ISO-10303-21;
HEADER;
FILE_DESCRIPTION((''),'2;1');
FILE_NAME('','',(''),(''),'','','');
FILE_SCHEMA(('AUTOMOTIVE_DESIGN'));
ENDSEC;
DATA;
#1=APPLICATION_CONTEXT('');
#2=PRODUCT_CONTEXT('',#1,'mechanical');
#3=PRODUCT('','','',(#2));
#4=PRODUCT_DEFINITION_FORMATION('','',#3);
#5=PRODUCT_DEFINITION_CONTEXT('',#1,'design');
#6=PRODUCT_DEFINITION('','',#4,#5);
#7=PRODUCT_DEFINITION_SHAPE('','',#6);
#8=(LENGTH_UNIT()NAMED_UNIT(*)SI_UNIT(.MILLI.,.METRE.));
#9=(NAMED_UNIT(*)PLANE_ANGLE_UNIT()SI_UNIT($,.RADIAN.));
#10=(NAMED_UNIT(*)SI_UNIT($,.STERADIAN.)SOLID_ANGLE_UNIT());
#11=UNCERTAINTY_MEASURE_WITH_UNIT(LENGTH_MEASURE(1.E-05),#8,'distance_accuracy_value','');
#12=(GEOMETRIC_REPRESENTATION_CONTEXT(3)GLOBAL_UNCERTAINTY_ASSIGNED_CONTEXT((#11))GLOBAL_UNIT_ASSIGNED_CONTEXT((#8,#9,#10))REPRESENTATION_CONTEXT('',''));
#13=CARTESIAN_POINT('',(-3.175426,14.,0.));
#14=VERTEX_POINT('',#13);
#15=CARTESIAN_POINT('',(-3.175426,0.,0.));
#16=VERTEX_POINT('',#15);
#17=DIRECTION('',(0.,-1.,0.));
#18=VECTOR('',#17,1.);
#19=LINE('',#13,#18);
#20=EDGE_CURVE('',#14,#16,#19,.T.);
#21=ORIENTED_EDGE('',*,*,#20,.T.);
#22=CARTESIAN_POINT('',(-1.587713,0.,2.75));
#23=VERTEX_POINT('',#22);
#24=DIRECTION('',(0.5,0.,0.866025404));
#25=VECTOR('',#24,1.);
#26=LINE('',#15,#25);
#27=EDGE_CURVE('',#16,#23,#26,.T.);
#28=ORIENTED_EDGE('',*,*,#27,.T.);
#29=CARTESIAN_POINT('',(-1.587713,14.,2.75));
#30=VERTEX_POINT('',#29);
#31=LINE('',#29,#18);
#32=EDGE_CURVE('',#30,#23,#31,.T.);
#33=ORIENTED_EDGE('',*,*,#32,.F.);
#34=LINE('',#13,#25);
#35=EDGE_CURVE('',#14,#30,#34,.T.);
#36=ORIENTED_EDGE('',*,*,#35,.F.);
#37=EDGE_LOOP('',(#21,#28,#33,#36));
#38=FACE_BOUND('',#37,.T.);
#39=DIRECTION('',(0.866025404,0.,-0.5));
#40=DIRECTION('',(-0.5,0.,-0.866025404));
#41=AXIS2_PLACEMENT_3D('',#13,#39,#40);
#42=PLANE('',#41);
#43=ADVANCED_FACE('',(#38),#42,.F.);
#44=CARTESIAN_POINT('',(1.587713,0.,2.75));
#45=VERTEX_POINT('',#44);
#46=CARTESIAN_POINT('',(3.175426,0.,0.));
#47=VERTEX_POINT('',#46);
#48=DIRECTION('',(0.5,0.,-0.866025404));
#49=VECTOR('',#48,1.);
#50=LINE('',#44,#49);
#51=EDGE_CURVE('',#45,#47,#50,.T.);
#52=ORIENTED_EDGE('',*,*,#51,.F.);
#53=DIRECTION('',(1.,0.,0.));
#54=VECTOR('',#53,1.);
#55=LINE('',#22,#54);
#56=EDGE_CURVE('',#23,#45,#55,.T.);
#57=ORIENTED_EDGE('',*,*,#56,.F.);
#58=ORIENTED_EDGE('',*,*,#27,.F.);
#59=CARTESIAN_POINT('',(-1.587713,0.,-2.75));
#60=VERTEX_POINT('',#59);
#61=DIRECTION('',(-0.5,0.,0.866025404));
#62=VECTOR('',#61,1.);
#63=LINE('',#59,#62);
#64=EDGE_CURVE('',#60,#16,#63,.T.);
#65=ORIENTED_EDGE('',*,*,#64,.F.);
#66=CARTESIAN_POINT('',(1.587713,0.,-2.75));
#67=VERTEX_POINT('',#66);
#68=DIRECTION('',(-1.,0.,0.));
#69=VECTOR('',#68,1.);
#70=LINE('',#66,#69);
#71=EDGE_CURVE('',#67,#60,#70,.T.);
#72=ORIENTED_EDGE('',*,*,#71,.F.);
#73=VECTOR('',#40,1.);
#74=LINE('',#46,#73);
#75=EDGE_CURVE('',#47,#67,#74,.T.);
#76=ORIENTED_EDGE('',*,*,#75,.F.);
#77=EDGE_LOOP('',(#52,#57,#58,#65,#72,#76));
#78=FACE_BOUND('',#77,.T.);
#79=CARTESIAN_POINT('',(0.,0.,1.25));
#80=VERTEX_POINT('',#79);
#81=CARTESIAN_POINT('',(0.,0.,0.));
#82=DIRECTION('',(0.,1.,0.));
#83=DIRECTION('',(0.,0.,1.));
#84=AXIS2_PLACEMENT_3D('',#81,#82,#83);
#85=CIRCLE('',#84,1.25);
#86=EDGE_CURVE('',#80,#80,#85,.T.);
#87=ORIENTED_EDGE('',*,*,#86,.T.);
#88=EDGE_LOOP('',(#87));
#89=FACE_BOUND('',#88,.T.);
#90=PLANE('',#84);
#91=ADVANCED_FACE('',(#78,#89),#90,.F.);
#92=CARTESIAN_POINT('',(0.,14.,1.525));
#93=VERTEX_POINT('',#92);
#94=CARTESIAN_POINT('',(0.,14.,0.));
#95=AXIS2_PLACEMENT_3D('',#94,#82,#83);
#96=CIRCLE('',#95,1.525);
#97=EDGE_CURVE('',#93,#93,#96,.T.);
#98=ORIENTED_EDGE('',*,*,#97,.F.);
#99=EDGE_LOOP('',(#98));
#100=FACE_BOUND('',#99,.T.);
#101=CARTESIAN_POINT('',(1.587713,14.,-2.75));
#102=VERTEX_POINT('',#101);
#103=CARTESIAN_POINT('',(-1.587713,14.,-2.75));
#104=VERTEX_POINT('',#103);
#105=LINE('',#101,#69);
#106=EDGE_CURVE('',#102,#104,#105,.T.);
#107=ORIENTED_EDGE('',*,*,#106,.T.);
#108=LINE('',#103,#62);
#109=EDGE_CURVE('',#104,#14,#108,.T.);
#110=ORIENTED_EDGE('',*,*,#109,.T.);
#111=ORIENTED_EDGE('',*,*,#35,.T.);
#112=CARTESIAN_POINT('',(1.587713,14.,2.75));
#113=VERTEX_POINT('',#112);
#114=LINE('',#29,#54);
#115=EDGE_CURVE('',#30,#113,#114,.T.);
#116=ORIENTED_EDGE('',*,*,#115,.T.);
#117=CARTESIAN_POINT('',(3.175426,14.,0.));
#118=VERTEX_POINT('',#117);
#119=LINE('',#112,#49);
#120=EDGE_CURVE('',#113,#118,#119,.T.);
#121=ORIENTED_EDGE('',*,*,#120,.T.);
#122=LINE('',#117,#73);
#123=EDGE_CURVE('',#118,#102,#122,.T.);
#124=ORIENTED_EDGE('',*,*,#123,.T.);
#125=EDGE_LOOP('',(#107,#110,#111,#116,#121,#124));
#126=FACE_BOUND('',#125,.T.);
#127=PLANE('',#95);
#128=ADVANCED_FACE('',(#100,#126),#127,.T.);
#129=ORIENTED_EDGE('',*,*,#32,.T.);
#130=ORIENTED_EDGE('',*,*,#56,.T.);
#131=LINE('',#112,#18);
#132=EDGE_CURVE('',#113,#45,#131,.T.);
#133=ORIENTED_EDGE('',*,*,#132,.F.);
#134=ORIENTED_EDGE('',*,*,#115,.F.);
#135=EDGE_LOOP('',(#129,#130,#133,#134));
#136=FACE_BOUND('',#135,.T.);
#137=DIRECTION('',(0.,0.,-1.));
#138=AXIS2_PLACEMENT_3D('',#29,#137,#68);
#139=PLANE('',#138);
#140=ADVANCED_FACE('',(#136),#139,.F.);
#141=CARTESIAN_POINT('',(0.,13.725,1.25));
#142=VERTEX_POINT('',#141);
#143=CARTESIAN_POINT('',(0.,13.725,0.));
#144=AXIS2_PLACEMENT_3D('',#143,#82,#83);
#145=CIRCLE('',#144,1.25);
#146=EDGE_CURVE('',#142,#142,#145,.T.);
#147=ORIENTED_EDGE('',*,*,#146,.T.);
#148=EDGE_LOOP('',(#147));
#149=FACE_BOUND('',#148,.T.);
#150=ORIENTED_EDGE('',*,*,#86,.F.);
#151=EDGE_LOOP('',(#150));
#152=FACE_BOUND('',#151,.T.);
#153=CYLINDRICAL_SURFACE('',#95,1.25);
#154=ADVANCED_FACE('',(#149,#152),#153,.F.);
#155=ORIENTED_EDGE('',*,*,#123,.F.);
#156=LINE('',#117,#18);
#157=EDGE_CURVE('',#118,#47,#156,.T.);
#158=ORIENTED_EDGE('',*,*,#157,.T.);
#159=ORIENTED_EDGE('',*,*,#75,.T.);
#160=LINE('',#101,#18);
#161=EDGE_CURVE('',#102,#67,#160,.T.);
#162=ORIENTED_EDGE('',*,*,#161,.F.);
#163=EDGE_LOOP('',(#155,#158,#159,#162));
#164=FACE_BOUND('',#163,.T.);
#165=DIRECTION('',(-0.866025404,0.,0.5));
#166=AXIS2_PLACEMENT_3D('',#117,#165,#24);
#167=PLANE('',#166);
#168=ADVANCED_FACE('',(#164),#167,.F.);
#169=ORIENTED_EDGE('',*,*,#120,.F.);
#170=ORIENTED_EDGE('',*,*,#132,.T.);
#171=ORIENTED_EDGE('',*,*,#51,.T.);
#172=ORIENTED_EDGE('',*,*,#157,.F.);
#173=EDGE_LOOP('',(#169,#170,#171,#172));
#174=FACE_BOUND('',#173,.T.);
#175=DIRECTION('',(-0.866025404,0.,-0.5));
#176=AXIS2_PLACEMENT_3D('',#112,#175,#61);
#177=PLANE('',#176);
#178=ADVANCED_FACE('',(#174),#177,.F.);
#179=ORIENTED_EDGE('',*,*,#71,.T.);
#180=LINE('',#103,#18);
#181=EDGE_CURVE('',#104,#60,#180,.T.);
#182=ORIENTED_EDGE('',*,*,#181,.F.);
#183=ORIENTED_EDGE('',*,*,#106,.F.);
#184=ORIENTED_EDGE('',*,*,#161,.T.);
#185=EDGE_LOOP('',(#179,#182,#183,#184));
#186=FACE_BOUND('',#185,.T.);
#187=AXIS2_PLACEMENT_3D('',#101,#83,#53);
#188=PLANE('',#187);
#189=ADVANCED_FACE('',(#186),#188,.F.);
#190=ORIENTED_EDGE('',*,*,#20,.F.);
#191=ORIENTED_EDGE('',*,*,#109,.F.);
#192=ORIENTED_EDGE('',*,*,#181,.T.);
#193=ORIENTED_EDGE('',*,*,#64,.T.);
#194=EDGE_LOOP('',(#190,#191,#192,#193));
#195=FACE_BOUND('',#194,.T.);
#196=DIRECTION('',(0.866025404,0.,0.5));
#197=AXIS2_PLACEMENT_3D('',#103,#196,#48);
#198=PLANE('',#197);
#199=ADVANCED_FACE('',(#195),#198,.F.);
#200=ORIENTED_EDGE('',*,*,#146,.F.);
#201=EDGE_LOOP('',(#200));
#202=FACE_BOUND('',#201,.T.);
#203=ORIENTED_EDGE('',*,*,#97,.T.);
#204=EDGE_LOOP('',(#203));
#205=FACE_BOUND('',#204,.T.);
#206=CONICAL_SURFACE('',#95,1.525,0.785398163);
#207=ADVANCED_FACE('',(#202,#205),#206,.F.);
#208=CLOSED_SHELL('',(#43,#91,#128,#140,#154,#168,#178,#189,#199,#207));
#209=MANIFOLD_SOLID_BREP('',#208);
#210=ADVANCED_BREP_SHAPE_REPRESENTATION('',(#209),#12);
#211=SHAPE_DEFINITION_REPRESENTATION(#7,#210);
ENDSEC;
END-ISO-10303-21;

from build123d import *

# Parameters (mm, degrees)
AUFSATZ_LINEAR_AUSTRAGEN1_DEPTH = 14
M3_GEWINDEBOHRUNG1_D            = 2.5
M3_GEWINDEBOHRUNG1_CSINK_D      = 3.05
M3_GEWINDEBOHRUNG1_CSINK_ANGLE  = 90


with BuildPart() as part:
    # Skizze1 → Aufsatz-Linear austragen1 (new body)
    with BuildSketch(Plane(origin=(0, 0, 0), x_dir=(1, 0, 0), z_dir=(0, 1, 0))):
        Polygon((3.175426481, 0), (1.58771324, 2.75), (-1.58771324, 2.75), (-3.175426481, 0), (-1.58771324, -2.75), (1.58771324, -2.75), align=None)
    extrude(amount=AUFSATZ_LINEAR_AUSTRAGEN1_DEPTH)

    # M3 Gewindebohrung1 (through all)
    with Locations(Plane(origin=(0, 14, 0), x_dir=(1, 0, 0), z_dir=(0, 1, 0))):
        with Locations((0, 0)):
            CounterSinkHole(M3_GEWINDEBOHRUNG1_D / 2, M3_GEWINDEBOHRUNG1_CSINK_D / 2, counter_sink_angle=M3_GEWINDEBOHRUNG1_CSINK_ANGLE)


solid = part.part
